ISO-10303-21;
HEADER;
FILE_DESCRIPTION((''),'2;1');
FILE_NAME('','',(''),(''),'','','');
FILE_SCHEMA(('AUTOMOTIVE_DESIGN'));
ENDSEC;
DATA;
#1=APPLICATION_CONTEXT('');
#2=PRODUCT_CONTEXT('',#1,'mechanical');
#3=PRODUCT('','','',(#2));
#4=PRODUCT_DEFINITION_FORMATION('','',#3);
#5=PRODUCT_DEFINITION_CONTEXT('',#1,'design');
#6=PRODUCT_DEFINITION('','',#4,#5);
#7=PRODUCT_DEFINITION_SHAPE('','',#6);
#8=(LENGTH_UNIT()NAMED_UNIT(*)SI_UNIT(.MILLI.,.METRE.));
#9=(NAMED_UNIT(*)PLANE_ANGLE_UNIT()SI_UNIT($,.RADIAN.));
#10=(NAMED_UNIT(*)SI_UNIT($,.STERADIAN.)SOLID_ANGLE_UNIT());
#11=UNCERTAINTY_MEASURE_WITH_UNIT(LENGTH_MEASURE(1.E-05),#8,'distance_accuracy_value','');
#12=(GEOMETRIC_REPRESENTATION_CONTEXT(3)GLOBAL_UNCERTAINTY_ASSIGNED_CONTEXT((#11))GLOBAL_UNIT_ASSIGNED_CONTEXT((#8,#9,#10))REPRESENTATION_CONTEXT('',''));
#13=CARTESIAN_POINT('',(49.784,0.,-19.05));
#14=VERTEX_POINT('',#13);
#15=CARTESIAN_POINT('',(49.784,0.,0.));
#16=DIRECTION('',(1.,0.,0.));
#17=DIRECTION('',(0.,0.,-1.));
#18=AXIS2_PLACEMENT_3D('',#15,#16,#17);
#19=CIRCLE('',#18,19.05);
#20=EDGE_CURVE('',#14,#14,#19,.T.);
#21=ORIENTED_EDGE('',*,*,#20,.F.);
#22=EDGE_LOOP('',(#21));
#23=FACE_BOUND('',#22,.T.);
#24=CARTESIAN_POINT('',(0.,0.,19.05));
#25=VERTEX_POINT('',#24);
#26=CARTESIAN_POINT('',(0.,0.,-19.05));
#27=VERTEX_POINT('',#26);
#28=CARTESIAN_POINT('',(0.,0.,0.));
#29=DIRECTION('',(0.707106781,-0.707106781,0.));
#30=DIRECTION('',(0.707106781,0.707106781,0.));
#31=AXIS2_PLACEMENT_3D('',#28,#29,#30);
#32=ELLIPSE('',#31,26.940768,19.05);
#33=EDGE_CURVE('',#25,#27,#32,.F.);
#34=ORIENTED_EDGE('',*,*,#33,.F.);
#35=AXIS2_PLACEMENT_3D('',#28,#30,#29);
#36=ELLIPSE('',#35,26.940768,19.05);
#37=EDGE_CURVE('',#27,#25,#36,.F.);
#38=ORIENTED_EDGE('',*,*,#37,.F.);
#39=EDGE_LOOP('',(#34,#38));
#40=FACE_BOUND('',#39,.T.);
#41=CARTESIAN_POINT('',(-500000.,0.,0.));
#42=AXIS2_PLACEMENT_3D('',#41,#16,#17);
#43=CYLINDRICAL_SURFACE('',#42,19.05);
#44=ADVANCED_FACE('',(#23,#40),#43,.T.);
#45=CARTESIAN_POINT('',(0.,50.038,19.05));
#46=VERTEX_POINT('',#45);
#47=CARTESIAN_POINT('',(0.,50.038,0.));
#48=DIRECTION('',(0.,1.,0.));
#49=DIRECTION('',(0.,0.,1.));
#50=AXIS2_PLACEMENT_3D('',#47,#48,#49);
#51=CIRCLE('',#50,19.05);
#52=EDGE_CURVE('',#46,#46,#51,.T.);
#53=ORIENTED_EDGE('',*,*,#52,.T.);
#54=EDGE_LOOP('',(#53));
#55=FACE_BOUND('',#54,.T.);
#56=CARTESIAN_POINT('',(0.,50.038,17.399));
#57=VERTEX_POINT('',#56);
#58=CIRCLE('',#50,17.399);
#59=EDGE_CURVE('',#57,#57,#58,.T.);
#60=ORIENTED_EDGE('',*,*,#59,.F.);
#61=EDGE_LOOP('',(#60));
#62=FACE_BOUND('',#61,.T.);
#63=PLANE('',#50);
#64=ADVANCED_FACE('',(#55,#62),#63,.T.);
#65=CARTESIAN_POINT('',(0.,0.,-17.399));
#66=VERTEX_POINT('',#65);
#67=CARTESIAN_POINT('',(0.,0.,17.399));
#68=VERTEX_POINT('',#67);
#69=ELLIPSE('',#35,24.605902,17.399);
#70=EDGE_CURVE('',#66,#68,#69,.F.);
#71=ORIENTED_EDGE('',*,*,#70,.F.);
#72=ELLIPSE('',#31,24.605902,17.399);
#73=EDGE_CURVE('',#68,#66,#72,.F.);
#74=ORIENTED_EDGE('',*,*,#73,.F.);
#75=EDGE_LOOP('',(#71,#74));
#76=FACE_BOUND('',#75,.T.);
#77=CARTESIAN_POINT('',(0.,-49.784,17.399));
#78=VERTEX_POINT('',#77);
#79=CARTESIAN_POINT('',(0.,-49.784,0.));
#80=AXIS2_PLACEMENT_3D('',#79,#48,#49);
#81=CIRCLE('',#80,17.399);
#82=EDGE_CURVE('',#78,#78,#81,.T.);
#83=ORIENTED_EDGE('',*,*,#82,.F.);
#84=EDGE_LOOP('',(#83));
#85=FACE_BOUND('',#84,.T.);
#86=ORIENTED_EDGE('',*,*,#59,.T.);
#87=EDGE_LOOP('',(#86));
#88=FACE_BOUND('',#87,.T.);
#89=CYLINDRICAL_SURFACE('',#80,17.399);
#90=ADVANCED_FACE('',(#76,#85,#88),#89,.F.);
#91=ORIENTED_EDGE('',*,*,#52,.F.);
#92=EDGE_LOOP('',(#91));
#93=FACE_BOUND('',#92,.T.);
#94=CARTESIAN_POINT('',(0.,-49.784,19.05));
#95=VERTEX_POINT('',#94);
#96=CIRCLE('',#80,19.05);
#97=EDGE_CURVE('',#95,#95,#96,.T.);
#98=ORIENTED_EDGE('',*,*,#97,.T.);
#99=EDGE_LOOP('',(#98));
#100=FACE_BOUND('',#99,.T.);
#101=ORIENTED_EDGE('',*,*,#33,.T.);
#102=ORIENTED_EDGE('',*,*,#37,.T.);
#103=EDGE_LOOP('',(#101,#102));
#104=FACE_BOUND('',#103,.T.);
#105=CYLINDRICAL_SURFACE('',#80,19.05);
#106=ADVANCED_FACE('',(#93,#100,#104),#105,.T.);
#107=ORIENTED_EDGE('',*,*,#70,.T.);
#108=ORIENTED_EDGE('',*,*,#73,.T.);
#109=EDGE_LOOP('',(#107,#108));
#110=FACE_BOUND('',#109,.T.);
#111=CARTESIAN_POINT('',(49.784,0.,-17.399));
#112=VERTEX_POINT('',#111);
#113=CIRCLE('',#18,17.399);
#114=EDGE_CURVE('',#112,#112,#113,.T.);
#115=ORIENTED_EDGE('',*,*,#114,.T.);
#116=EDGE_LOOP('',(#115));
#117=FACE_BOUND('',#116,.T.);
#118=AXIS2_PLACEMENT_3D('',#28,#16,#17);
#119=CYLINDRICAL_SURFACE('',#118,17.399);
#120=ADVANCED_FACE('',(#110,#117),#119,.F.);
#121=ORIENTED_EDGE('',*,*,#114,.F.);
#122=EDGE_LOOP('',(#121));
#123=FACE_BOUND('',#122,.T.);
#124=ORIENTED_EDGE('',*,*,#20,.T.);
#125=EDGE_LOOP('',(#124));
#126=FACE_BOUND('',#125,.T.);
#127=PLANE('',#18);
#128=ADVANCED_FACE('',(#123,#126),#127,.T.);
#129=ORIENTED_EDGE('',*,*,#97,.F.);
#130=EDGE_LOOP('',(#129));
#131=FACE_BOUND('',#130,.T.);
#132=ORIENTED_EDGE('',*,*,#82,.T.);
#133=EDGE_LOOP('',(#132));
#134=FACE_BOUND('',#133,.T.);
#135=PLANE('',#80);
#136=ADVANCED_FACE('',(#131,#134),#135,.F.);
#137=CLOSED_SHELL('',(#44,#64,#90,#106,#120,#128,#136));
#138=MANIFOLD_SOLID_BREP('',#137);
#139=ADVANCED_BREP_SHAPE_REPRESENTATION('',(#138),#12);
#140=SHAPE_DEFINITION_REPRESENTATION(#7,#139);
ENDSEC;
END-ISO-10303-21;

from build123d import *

# Parameters (mm, degrees)
EXTRUDE1_DEPTH          = 50.038
EXTRUDE1_DEPTH_BACK     = 49.784
SKETCH1_R               = 19.05
EXTRUDE2_REACH          = 89.206
EXTRUDE2_END_RADIUS     = 19.05
SKETCH3_R               = 19.05
SKETCH4_R               = 17.399
CUT_EXTRUDE1_DEPTH      = 49.784
CUT_EXTRUDE2_DEPTH      = 74.11053686
CUT_EXTRUDE2_DEPTH_BACK = 74.11053686
SKETCH5_R               = 17.399


with BuildPart() as part:
    # Sketch1 → Extrude1 (new, two sides: drawn at the far end of the back side and taken through both)
    with BuildSketch(Plane(origin=(0, 0, 0), x_dir=(1, 0, 0), z_dir=(0, 1, 0)).offset(-EXTRUDE1_DEPTH_BACK)):
        with Locations(Location((0, 0, 0), (0, 0, 270))):
            Circle(SKETCH1_R)
    extrude(amount=EXTRUDE1_DEPTH + EXTRUDE1_DEPTH_BACK)

    # Extrude2: up to this cylinder (the profile starts outside it)
    extrude2_end = Plane(origin=(0, 0, 0), z_dir=(0, 1, 0)) * Cylinder(EXTRUDE2_END_RADIUS, 217.512, mode=Mode.PRIVATE)
    # Sketch3 → Extrude2 (add, up to the surface)
    with BuildSketch(Plane(origin=(49.784, 0, 0), x_dir=(0, 0, -1), z_dir=(1, 0, 0)), mode=Mode.PRIVATE) as extrude2_sk1:
        Circle(SKETCH3_R)
    extrude2_tool1 = extrude(extrude2_sk1.sketch, amount=-EXTRUDE2_REACH, mode=Mode.PRIVATE) - extrude2_end
    add(extrude2_tool1.solids().sort_by_distance((49.784, 0, 0))[0])

    # Sketch4 → Cut-Extrude1 (cut)
    with BuildSketch(Plane(origin=(49.784, 0, 0), x_dir=(0, 0, -1), z_dir=(1, 0, 0))):
        Circle(SKETCH4_R)
    extrude(amount=-CUT_EXTRUDE1_DEPTH, mode=Mode.SUBTRACT)

    # Sketch5 → Cut-Extrude2 (cut, two sides: drawn at the far end of the back side and taken through both)
    with BuildSketch(Plane(origin=(0, 0, 0), x_dir=(1, 0, 0), z_dir=(0, 1, 0)).offset(-CUT_EXTRUDE2_DEPTH_BACK)):
        with Locations(Location((0, 0, 0), (0, 0, 270))):
            Circle(SKETCH5_R)
    extrude(amount=CUT_EXTRUDE2_DEPTH + CUT_EXTRUDE2_DEPTH_BACK, mode=Mode.SUBTRACT)


solid = part.part
